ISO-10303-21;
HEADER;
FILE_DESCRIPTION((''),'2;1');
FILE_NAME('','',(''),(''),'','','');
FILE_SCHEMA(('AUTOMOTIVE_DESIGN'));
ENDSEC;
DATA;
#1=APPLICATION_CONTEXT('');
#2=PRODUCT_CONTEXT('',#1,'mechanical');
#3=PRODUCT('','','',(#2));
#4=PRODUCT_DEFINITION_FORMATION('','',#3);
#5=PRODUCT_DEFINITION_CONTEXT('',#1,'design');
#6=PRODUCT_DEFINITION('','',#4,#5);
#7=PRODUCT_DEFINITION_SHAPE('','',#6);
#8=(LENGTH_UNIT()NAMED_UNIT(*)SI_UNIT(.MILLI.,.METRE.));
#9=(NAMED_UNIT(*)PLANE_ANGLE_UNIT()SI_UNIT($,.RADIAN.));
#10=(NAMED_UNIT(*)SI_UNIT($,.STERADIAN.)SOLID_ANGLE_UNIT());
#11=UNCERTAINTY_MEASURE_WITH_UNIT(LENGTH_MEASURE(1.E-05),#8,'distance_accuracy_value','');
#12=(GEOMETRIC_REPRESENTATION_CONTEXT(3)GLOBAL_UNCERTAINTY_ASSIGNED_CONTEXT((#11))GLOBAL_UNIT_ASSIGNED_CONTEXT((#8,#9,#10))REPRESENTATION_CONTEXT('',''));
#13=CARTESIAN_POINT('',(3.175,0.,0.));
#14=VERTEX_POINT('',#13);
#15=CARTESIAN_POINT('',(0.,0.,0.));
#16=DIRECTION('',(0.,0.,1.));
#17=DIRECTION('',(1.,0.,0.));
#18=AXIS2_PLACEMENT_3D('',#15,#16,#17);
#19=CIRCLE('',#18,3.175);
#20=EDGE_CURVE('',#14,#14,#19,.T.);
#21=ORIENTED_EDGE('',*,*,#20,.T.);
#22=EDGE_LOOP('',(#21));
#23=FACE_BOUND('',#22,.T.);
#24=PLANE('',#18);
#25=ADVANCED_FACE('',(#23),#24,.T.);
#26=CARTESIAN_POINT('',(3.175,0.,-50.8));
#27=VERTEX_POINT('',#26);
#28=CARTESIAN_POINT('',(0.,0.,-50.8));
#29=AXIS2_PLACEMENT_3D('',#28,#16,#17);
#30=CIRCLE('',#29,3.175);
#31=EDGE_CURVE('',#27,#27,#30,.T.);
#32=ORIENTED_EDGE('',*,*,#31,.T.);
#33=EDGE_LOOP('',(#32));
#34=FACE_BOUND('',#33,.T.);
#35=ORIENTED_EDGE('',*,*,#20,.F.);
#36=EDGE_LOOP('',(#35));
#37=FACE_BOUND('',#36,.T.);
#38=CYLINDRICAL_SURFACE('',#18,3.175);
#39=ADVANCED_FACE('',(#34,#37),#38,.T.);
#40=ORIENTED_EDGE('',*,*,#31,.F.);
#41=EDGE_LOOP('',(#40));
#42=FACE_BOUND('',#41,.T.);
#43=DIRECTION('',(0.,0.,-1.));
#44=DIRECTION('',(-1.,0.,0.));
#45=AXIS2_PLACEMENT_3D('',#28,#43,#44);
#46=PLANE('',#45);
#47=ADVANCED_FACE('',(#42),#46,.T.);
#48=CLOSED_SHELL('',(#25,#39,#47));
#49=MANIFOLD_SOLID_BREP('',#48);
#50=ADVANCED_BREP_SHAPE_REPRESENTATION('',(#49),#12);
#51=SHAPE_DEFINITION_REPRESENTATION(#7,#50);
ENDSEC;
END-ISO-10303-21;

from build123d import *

# Parameters (mm, degrees)
SKETCH1_W = 3.175
SKETCH1_H = 50.8


with BuildPart() as part:
    # Sketch1 → Revolve1 (revolve)
    with BuildSketch(Plane(origin=(0, 0, 0), x_dir=(1, 0, 0), z_dir=(0, 1, 0))):
        with Locations((1.5875, 25.4)):
            Rectangle(SKETCH1_W, SKETCH1_H)
    revolve(axis=Axis((0, 0, 0), (0, 0, -1)))


solid = part.part
